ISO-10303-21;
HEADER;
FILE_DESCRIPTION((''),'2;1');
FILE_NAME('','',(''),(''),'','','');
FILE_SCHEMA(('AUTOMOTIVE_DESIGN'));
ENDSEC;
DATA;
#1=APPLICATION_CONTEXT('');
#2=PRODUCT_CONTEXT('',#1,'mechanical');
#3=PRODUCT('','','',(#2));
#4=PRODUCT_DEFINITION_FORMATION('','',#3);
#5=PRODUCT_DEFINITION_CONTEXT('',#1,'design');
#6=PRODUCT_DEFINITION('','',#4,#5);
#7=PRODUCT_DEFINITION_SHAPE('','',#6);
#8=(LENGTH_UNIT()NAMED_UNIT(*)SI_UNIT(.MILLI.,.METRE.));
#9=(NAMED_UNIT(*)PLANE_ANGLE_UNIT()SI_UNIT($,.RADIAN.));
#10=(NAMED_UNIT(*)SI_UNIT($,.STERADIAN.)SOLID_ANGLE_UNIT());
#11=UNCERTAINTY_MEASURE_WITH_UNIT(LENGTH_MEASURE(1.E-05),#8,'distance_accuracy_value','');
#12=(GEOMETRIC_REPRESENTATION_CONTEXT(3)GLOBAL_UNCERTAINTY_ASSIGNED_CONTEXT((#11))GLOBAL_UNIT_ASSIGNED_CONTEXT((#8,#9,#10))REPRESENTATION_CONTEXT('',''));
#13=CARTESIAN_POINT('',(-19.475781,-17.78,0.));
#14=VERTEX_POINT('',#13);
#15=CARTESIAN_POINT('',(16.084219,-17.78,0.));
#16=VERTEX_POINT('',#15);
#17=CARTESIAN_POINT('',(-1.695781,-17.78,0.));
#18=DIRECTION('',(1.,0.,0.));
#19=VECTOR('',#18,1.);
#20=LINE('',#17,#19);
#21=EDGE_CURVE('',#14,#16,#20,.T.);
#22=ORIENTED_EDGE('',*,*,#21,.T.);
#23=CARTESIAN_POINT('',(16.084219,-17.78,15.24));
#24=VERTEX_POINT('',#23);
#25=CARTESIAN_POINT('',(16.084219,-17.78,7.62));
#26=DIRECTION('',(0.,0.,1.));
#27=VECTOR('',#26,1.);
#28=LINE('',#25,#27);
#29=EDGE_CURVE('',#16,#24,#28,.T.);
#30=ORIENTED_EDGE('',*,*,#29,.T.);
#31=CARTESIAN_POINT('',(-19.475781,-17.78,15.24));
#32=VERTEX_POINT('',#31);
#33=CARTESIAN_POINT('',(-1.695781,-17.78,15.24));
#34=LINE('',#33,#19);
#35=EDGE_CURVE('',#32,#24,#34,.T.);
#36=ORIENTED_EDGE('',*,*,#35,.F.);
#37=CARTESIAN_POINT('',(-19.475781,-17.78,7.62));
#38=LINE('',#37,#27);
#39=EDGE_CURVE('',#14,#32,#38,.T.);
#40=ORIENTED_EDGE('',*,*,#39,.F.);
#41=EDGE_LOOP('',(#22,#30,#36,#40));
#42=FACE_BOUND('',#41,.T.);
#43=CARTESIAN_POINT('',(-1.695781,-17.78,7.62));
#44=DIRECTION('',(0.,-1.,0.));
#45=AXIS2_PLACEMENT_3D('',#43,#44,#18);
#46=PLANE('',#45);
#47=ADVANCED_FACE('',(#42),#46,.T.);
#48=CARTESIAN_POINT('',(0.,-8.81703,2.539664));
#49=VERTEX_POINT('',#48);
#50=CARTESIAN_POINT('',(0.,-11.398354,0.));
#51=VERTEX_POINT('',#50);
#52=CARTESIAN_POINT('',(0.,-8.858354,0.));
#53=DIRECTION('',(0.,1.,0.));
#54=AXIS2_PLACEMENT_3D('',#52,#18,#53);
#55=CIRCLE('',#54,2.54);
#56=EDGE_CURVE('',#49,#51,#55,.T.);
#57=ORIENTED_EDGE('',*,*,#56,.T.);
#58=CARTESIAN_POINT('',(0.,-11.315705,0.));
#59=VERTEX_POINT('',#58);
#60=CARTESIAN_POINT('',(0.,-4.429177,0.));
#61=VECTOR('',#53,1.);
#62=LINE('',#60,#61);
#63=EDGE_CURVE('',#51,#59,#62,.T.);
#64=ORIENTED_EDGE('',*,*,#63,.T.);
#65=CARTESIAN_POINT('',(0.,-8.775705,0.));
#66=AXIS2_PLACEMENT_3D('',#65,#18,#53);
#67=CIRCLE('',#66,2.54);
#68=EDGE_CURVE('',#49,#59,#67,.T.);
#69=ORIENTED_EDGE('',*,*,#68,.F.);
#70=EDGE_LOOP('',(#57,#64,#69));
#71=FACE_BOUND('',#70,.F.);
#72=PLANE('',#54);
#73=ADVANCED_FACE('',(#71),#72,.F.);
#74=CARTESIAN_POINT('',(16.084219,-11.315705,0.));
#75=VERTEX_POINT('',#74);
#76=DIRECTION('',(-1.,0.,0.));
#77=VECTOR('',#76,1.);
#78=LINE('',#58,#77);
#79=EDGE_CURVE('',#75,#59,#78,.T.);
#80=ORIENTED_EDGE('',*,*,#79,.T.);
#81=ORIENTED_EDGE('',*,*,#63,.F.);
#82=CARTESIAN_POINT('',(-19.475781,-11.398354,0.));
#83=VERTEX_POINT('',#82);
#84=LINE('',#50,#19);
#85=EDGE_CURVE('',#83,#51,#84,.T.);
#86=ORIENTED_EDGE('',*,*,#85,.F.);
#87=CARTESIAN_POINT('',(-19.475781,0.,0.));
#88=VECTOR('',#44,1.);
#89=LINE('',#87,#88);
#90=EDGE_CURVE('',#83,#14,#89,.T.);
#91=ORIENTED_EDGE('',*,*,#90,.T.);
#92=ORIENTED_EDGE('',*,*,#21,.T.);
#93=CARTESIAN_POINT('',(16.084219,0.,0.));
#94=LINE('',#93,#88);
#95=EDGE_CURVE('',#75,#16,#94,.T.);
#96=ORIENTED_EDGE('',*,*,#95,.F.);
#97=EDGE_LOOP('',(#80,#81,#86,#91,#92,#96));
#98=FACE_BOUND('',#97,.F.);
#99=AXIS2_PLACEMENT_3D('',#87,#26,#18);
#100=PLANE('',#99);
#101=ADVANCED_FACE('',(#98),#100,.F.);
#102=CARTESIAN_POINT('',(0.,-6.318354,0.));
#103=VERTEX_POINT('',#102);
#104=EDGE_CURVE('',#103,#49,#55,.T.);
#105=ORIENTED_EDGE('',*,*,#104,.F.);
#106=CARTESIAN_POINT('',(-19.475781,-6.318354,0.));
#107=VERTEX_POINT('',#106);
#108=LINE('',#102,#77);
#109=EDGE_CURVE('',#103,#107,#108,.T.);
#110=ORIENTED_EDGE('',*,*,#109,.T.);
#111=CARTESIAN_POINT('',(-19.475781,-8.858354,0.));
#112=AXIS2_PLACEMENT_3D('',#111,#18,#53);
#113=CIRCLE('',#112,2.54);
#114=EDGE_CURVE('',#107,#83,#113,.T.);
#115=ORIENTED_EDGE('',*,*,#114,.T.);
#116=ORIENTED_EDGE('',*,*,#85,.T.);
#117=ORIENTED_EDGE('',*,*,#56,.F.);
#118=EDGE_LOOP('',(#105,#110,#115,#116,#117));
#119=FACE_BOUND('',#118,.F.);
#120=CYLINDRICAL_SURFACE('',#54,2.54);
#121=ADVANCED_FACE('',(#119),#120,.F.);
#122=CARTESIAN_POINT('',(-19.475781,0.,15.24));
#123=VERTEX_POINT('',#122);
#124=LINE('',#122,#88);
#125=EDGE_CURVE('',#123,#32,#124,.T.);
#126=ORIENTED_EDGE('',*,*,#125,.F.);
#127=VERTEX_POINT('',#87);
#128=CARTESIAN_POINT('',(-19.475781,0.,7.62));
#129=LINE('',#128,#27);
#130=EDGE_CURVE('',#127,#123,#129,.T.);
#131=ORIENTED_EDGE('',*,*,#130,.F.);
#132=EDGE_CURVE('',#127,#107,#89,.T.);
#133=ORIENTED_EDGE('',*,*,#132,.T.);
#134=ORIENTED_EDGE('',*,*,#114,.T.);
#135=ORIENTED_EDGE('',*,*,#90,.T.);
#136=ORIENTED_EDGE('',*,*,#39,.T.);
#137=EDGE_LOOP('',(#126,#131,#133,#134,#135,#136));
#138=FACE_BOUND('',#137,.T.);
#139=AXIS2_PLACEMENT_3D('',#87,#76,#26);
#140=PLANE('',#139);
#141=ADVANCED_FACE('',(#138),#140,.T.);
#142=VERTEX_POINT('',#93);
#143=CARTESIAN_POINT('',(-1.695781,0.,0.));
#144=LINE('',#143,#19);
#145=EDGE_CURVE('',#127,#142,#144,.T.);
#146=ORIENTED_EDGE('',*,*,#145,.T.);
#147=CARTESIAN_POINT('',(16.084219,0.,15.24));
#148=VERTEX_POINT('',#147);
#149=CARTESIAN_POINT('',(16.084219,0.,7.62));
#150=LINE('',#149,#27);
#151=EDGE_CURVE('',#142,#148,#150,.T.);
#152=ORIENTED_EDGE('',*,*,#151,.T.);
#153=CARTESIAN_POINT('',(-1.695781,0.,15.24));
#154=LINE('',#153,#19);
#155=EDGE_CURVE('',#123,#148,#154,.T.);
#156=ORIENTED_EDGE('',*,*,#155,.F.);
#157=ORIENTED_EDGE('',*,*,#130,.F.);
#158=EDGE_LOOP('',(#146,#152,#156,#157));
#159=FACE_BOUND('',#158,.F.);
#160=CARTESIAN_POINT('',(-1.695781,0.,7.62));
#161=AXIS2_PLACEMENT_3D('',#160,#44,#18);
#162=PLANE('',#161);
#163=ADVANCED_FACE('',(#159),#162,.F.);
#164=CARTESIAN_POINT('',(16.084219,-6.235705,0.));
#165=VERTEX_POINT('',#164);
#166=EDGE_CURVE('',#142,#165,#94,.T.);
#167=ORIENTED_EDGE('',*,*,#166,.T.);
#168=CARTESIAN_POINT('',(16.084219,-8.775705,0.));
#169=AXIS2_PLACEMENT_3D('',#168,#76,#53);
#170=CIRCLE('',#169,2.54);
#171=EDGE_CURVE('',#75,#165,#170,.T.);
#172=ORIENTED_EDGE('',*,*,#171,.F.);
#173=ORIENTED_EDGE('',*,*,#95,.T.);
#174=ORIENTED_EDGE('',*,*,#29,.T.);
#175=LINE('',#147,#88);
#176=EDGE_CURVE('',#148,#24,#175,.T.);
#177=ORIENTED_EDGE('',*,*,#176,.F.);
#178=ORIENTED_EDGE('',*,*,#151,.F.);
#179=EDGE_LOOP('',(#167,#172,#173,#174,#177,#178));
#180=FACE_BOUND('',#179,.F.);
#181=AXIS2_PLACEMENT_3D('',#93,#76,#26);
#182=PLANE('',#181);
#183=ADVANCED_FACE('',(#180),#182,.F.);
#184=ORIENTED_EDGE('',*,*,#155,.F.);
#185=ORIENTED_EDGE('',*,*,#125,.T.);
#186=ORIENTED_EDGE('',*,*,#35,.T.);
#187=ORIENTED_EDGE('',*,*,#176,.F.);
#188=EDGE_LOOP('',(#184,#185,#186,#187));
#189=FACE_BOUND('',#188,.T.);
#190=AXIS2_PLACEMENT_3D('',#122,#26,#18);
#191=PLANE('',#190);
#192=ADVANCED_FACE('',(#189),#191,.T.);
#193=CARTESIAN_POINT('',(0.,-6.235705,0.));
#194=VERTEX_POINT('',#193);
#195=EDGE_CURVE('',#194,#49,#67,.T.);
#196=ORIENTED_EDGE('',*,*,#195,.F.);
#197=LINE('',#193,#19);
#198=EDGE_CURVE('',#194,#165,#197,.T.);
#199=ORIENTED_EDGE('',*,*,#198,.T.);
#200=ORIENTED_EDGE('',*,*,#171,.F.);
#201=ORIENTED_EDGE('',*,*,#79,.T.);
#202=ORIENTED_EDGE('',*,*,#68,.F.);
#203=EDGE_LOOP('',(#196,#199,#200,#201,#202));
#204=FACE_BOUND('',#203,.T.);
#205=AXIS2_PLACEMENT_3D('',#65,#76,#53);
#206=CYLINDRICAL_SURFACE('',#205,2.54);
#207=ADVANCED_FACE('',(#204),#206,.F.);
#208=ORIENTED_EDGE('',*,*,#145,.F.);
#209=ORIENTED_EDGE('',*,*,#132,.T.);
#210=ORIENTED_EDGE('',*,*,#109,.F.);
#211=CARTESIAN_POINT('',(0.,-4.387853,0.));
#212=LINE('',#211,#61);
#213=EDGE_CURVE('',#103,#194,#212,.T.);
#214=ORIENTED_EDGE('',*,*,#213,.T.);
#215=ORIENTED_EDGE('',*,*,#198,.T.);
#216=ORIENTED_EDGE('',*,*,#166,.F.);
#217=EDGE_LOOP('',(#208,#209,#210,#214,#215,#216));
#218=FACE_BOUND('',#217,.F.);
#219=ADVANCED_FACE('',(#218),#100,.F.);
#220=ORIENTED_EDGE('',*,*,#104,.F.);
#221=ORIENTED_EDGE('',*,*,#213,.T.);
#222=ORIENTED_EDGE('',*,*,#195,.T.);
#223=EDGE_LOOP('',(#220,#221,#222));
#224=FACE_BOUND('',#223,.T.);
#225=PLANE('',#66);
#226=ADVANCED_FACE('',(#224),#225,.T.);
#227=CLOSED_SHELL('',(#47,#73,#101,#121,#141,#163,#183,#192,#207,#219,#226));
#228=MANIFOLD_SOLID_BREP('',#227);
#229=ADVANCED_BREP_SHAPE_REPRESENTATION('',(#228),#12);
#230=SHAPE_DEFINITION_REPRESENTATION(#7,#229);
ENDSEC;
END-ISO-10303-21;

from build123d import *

# Parameters (mm, degrees)
F0_W     = 35.56
F0_H     = 15.24
F1_DEPTH = 17.78
F2_R     = 2.54
F3_DEPTH = 25.4
F4_R     = 2.54
F5_DEPTH = 25.4


with BuildPart() as f1:
    # F0 (on Front) → F1 (new body)
    with BuildSketch(Plane.XZ):
        with Locations((-1.695781, 7.62)):
            Rectangle(F0_W, F0_H)
    extrude(amount=F1_DEPTH)

    # F2 (on Right) → F3 (cut)
    with BuildSketch(Plane.YZ):
        with Locations((-8.775705, 0)):
            Circle(F2_R)
    extrude(amount=F3_DEPTH, mode=Mode.SUBTRACT)

    # F4 (on Right) → F5 (cut)
    with BuildSketch(Plane.YZ):
        with Locations((-8.858354, 0)):
            Circle(F4_R)
    extrude(amount=-F5_DEPTH, mode=Mode.SUBTRACT)


solid = f1.part
